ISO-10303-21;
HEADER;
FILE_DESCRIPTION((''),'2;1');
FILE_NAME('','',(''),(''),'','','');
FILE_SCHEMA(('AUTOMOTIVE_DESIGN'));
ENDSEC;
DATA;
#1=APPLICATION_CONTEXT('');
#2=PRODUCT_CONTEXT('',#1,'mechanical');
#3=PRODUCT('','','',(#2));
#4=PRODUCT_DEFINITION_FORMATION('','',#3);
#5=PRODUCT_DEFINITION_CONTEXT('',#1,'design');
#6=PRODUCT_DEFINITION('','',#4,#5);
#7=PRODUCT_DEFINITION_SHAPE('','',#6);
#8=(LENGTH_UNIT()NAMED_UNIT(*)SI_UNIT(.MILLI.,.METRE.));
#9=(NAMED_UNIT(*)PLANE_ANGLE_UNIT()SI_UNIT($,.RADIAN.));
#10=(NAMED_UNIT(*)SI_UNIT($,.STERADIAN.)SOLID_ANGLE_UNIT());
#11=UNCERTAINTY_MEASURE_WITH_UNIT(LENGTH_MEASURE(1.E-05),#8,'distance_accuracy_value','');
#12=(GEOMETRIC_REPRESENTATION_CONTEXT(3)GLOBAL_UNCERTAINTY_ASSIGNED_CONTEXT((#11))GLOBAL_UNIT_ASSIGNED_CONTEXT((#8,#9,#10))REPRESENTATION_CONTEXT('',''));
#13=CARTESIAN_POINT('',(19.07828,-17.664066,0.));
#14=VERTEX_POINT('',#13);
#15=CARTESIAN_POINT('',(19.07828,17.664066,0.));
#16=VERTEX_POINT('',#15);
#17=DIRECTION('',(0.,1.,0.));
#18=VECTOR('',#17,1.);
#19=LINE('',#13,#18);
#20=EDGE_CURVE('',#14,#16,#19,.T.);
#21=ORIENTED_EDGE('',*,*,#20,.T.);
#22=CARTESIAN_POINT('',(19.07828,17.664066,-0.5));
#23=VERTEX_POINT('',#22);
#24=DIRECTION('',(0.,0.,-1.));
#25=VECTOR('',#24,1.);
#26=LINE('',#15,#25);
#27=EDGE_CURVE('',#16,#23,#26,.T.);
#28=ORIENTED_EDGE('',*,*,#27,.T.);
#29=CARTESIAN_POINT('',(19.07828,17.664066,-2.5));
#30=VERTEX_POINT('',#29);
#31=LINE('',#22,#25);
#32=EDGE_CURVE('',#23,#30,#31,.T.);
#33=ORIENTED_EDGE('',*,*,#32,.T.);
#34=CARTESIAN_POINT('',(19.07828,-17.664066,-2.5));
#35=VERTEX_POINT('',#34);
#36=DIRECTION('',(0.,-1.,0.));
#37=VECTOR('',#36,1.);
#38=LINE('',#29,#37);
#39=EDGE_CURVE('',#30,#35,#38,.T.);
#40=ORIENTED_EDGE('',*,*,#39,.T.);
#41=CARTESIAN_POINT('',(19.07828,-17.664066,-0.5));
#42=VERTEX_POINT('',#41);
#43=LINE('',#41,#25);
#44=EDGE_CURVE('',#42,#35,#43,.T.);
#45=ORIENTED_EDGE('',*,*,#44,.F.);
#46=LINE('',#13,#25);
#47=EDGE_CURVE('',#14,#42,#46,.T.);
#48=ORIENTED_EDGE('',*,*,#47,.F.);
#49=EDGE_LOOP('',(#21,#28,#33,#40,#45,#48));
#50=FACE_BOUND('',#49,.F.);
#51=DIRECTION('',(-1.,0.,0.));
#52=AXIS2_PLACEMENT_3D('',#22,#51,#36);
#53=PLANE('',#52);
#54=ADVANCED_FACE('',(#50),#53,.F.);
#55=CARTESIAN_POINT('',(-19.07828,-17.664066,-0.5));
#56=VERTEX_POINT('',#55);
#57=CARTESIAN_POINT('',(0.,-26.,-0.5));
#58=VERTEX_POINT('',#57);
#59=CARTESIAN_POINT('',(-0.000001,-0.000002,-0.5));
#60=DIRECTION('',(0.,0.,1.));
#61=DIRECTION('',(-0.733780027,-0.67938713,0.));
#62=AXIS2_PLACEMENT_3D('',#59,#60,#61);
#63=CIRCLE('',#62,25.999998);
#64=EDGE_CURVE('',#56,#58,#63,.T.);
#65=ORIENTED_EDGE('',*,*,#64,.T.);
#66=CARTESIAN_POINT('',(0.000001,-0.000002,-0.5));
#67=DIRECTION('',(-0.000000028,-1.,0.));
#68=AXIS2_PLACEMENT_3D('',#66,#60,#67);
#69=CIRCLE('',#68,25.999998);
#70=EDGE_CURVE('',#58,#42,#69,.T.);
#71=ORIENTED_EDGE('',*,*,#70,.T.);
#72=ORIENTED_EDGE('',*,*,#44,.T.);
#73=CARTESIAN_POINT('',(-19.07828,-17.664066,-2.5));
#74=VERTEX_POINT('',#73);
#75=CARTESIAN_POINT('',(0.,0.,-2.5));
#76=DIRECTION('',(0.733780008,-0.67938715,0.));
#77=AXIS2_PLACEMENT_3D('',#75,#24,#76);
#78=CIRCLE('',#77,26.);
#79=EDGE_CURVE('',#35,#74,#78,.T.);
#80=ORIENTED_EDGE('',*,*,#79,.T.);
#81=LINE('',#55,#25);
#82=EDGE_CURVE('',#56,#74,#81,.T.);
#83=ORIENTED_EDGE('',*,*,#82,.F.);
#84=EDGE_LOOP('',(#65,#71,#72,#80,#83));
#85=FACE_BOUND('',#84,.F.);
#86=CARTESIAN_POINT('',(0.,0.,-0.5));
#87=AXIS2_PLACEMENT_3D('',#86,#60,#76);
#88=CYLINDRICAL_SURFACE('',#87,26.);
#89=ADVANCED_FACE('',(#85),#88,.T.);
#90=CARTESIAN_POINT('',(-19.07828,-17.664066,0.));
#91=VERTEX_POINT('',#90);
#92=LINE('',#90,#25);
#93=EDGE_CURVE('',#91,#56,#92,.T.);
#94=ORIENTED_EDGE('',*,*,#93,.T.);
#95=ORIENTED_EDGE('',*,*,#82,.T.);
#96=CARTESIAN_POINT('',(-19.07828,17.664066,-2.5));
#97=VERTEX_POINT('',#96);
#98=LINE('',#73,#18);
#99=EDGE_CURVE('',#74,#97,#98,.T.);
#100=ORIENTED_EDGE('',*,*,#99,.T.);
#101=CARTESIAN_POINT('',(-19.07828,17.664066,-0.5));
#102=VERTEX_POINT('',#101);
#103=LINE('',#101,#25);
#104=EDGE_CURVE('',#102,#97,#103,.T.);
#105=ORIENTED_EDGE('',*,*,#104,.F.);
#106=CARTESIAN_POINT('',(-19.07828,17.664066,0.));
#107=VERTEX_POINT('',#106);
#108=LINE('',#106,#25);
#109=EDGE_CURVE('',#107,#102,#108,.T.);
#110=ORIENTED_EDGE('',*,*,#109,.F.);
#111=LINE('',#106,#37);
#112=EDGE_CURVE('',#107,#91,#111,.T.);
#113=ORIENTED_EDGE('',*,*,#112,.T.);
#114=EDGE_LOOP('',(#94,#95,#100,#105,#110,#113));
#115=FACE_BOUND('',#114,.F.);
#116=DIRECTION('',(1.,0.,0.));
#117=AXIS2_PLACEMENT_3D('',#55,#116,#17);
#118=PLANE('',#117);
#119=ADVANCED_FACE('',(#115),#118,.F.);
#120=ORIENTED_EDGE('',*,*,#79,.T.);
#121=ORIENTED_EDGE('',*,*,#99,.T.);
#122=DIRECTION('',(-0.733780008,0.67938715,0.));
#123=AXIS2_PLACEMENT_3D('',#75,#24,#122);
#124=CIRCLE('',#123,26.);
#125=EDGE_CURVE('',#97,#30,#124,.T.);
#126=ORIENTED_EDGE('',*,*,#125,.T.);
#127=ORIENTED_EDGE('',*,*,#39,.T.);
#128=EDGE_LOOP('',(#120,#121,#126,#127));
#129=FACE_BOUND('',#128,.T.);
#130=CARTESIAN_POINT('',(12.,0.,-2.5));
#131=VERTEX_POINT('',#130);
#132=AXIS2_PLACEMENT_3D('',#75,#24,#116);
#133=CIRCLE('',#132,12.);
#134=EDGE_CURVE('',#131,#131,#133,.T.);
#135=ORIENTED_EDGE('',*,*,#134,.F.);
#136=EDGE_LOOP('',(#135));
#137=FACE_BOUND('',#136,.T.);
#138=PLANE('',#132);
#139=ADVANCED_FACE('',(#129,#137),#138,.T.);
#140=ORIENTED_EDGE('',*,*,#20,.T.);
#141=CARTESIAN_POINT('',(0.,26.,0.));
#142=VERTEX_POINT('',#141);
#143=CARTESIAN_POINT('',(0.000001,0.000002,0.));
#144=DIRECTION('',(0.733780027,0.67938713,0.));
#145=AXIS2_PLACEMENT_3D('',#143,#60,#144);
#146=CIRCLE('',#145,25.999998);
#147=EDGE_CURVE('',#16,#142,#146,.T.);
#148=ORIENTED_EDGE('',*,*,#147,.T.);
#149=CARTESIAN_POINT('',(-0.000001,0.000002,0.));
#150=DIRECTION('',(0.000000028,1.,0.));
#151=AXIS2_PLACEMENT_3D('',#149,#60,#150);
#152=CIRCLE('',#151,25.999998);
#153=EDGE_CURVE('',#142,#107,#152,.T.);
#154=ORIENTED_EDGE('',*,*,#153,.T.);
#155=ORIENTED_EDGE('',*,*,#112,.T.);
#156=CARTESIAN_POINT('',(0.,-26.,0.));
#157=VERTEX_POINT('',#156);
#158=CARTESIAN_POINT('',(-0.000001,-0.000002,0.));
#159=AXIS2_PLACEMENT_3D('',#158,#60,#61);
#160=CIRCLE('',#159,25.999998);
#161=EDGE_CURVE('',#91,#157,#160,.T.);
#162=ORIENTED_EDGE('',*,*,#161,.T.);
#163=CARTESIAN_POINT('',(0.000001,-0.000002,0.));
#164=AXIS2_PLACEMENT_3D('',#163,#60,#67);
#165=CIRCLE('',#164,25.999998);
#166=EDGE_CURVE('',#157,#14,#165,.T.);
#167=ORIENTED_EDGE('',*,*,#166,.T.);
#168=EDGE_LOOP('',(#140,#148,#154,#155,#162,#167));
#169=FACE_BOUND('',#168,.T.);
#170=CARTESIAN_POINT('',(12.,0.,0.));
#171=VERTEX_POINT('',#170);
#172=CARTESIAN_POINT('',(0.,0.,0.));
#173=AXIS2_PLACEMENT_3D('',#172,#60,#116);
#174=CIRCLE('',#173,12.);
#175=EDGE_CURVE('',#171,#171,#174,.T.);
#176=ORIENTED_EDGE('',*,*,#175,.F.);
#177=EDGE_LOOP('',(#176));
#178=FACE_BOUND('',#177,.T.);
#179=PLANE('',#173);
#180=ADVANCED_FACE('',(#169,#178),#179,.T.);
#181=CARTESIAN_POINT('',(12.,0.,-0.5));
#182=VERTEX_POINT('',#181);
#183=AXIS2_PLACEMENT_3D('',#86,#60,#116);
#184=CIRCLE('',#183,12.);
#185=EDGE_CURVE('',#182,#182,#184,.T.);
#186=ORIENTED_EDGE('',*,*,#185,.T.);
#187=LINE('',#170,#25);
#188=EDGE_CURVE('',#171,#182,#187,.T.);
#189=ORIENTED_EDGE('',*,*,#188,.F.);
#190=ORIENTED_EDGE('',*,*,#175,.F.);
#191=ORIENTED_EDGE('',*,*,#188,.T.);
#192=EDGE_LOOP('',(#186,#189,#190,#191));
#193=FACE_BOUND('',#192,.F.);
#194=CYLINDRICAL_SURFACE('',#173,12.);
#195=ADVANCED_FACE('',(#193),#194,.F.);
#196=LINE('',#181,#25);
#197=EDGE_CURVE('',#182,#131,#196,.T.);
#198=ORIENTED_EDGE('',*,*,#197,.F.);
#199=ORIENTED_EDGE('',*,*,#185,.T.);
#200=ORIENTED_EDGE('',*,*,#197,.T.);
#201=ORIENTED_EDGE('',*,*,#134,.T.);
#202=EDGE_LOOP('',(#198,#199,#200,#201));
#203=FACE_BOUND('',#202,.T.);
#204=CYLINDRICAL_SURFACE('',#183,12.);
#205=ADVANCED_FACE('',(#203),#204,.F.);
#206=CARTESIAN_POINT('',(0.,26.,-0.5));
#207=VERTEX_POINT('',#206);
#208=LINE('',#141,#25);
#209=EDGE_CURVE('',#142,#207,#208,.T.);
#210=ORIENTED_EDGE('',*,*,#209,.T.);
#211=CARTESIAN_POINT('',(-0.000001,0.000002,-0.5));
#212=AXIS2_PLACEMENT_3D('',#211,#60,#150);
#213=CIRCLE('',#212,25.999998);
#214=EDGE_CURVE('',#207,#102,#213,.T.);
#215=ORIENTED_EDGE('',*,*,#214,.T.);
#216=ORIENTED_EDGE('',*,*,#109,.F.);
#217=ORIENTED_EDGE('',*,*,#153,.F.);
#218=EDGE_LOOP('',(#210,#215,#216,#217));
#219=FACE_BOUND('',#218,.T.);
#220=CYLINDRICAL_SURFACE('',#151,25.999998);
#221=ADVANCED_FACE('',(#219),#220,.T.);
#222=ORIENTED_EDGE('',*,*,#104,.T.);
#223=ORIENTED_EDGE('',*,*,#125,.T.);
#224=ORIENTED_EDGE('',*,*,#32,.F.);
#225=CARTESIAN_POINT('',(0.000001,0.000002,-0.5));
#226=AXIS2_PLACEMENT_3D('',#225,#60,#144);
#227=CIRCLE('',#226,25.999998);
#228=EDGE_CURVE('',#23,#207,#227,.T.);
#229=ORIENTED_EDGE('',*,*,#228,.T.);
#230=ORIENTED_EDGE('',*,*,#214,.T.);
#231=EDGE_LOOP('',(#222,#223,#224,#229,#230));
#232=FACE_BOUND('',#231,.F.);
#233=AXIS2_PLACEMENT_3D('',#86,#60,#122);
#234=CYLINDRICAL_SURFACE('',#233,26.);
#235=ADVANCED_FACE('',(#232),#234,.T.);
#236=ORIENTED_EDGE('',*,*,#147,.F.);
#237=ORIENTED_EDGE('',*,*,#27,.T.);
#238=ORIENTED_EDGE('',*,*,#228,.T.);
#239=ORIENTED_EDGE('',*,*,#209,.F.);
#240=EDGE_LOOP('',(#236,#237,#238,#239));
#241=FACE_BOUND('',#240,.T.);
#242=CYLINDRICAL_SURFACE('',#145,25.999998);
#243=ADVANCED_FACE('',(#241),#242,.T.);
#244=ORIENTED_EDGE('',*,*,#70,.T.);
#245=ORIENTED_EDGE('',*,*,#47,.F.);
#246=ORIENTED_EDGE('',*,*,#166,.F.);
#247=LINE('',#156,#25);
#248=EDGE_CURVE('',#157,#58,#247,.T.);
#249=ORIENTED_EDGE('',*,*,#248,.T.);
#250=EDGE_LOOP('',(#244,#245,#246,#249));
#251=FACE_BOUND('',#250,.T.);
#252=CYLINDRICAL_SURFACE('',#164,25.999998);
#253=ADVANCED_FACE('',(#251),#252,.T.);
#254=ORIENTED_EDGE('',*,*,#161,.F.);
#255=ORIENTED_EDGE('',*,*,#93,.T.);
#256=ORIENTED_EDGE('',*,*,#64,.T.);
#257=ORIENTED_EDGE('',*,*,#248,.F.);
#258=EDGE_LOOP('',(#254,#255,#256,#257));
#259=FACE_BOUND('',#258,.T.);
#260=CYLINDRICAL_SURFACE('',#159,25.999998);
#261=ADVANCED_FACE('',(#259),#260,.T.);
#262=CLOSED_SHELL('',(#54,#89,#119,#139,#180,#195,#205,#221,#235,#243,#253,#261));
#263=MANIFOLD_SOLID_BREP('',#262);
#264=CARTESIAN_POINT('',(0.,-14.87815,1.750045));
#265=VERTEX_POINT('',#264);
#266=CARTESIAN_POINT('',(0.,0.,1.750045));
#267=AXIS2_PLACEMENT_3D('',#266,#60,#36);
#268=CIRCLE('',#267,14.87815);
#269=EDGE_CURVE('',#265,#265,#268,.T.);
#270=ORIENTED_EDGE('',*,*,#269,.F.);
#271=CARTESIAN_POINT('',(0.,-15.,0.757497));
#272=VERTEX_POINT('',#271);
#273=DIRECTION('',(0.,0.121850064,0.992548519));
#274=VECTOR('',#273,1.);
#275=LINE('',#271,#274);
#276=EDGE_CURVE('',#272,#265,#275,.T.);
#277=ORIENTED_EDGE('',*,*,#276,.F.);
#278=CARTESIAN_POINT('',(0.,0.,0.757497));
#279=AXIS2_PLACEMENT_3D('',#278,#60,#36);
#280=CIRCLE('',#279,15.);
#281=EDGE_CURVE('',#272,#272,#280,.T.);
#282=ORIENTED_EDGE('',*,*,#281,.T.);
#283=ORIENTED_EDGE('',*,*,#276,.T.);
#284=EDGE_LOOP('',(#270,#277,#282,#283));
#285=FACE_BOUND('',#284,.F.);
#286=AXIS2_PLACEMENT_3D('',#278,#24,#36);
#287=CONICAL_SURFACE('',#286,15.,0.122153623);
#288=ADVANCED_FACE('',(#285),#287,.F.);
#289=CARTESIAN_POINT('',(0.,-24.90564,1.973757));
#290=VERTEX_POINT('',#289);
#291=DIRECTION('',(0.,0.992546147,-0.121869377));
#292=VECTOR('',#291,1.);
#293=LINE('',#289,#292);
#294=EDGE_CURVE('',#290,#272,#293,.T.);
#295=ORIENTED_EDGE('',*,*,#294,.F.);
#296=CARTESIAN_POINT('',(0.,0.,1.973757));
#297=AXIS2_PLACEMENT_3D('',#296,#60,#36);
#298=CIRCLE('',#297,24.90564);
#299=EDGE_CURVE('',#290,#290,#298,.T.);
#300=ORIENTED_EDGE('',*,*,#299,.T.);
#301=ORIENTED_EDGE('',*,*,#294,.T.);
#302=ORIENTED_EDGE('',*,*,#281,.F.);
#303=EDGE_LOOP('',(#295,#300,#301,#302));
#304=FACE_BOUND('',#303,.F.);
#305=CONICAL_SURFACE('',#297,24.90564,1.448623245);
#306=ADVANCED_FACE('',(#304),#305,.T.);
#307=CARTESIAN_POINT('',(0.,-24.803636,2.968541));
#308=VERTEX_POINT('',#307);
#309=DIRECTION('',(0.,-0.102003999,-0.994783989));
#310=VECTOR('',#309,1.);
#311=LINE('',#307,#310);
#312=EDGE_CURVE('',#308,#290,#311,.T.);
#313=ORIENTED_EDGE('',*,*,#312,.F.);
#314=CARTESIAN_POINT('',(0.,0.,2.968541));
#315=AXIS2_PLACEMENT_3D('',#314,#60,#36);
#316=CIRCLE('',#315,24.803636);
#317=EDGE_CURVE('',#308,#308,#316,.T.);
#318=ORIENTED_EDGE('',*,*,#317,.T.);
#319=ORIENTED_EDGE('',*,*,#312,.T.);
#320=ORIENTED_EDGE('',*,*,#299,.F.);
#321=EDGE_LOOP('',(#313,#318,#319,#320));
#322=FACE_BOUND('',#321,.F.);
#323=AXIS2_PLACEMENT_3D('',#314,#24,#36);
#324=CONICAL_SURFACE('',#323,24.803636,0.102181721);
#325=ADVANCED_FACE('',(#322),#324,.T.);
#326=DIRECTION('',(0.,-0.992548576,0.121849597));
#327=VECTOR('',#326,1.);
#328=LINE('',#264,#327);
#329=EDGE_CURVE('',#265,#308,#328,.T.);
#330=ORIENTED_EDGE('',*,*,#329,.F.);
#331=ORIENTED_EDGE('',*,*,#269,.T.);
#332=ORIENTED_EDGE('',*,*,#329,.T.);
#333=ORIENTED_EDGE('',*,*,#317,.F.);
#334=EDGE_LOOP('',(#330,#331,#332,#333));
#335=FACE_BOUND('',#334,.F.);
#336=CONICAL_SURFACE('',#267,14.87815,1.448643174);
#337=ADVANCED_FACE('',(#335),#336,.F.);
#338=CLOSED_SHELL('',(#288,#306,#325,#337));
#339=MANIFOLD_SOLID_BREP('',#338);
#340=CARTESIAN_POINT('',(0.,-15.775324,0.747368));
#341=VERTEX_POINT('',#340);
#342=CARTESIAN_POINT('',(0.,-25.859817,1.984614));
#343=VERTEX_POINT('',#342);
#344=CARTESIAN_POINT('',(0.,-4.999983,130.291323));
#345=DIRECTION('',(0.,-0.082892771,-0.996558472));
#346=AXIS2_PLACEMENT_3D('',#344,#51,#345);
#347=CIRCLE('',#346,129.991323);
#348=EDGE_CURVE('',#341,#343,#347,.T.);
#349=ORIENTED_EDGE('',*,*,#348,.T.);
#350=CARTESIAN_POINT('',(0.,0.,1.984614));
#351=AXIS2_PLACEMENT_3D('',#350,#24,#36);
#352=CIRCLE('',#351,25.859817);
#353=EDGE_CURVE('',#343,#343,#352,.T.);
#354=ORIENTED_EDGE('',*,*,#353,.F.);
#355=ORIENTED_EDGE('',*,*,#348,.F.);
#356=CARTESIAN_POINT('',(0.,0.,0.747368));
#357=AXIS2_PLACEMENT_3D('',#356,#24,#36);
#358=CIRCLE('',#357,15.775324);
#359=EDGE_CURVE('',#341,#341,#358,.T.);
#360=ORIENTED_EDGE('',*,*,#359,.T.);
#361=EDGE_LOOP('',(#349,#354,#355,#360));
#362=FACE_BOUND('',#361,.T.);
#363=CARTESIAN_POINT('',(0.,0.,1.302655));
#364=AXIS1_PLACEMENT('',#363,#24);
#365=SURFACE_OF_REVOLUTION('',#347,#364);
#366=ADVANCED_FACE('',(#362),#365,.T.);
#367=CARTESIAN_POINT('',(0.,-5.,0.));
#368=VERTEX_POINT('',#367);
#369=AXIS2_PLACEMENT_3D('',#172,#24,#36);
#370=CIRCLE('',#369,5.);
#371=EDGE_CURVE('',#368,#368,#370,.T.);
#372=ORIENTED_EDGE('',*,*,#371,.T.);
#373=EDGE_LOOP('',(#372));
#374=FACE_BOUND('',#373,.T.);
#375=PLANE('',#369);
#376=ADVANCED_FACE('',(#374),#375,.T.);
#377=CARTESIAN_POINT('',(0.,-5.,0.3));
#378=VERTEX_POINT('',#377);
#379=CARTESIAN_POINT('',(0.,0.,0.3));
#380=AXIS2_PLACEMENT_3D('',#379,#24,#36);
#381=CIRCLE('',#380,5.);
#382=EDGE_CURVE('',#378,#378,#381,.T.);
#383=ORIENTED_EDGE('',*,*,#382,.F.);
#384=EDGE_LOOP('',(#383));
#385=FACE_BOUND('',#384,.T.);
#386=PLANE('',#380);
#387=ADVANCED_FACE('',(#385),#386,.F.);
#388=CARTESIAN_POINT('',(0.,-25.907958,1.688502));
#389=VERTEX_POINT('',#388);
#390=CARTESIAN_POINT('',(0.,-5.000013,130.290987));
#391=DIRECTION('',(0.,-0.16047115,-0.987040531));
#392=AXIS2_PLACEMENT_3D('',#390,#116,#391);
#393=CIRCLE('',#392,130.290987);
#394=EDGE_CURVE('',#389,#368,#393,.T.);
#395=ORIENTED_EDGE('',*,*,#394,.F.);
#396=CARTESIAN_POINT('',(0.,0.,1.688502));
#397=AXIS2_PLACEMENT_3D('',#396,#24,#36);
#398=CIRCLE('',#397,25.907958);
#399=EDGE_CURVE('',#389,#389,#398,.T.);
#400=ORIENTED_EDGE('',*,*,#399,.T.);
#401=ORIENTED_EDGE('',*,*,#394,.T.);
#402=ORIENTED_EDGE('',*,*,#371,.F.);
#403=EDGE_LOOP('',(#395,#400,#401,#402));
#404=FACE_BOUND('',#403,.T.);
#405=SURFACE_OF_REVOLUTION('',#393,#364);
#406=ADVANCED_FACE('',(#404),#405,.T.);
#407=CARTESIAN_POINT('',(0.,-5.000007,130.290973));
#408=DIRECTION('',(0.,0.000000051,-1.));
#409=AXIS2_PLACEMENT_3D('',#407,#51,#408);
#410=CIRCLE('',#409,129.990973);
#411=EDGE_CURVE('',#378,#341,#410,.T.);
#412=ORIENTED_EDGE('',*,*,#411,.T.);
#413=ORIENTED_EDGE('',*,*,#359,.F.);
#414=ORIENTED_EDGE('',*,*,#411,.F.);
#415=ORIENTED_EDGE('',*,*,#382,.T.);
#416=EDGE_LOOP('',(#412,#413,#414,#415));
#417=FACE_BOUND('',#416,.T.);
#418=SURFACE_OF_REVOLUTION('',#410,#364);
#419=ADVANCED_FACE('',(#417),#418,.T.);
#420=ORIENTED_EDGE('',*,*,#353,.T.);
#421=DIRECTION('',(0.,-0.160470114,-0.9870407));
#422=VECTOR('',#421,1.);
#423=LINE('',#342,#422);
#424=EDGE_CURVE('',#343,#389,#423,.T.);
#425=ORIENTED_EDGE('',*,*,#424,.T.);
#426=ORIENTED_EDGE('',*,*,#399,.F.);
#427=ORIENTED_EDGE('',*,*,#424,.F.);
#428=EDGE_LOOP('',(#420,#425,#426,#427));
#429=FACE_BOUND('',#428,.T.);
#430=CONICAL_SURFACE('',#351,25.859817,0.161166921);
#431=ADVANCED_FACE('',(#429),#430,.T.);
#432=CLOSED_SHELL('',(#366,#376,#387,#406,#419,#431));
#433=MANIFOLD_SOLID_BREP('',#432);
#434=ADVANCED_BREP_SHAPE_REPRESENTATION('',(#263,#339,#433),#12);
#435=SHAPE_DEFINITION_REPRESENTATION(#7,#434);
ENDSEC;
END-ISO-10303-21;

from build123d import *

# Parameters (mm, degrees)
F1_R      = 12
F2_DEPTH  = 0.5
F2_FACE_R = 12
F3_DEPTH  = 2


with BuildPart() as f2:
    # F1 (on Top) → F2 (new body)
    with BuildSketch(Plane.XY):
        with BuildLine():
            ThreePointArc((19.07828, 17.664066), (10.409954, 23.825047), (0, 26))
            ThreePointArc((0, 26), (-10.409954, 23.825047), (-19.07828, 17.664066))
            Line((-19.07828, 17.664066), (-19.07828, 0))
            Line((-19.07828, 0), (-19.07828, -17.664066))
            ThreePointArc((-19.07828, -17.664066), (-10.409954, -23.825047), (0, -26))
            ThreePointArc((0, -26), (10.409954, -23.825047), (19.07828, -17.664066))
            Line((19.07828, -17.664066), (19.07828, 0))
            Line((19.07828, 0), (19.07828, 17.664066))
        make_face()
        Circle(F1_R, mode=Mode.SUBTRACT)
    extrude(amount=-F2_DEPTH)

    # F2_face (on face) → F3 (join)
    with BuildSketch(Plane(origin=(0, 0, -0.5), x_dir=(1, 0, 0), z_dir=(0, 0, -1))):
        with BuildLine():
            ThreePointArc((-19.07828, -17.664066), (0, -26), (19.07828, -17.664066))
            Line((19.07828, -17.664066), (19.07828, 17.664066))
            ThreePointArc((19.07828, 17.664066), (0, 26), (-19.07828, 17.664066))
            Line((-19.07828, 17.664066), (-19.07828, -17.664066))
        make_face()
        Circle(F2_FACE_R, mode=Mode.SUBTRACT)
    extrude(amount=F3_DEPTH)


with BuildPart() as f5:
    # F4 (on Right) → F5 (revolve)
    with BuildSketch(Plane.YZ):
        with BuildLine():
            Line((0, 0), (0, 0.3))
            Line((0, 0.3), (-5, 0.3))
            ThreePointArc((-5, 0.3), (-10.392303, 0.41189), (-15.775324, 0.747368))
            ThreePointArc((-15.775324, 0.747368), (-20.829663, 1.267428), (-25.859817, 1.984614))
            Line((-25.859817, 1.984614), (-25.907958, 1.688502))
            ThreePointArc((-25.907958, 1.688502), (-15.488014, 0.422811), (-5, 0))
            Line((-5, 0), (0, 0))
        make_face()
    revolve(axis=Axis((0, 0, 1.302655), (0, 0, -1)))


with BuildPart() as f7:
    # F6 (on Right) → F7 (revolve)
    with BuildSketch(Plane.YZ):
        Polygon((-24.803636, 2.968541), (-24.90564, 1.973757), (-15, 0.757497), (-14.87815, 1.750045), align=None)
    revolve(axis=Axis((0, 0, 0.451372), (0, 0, 1)))


solid = Compound([f2.part, f5.part, f7.part])
